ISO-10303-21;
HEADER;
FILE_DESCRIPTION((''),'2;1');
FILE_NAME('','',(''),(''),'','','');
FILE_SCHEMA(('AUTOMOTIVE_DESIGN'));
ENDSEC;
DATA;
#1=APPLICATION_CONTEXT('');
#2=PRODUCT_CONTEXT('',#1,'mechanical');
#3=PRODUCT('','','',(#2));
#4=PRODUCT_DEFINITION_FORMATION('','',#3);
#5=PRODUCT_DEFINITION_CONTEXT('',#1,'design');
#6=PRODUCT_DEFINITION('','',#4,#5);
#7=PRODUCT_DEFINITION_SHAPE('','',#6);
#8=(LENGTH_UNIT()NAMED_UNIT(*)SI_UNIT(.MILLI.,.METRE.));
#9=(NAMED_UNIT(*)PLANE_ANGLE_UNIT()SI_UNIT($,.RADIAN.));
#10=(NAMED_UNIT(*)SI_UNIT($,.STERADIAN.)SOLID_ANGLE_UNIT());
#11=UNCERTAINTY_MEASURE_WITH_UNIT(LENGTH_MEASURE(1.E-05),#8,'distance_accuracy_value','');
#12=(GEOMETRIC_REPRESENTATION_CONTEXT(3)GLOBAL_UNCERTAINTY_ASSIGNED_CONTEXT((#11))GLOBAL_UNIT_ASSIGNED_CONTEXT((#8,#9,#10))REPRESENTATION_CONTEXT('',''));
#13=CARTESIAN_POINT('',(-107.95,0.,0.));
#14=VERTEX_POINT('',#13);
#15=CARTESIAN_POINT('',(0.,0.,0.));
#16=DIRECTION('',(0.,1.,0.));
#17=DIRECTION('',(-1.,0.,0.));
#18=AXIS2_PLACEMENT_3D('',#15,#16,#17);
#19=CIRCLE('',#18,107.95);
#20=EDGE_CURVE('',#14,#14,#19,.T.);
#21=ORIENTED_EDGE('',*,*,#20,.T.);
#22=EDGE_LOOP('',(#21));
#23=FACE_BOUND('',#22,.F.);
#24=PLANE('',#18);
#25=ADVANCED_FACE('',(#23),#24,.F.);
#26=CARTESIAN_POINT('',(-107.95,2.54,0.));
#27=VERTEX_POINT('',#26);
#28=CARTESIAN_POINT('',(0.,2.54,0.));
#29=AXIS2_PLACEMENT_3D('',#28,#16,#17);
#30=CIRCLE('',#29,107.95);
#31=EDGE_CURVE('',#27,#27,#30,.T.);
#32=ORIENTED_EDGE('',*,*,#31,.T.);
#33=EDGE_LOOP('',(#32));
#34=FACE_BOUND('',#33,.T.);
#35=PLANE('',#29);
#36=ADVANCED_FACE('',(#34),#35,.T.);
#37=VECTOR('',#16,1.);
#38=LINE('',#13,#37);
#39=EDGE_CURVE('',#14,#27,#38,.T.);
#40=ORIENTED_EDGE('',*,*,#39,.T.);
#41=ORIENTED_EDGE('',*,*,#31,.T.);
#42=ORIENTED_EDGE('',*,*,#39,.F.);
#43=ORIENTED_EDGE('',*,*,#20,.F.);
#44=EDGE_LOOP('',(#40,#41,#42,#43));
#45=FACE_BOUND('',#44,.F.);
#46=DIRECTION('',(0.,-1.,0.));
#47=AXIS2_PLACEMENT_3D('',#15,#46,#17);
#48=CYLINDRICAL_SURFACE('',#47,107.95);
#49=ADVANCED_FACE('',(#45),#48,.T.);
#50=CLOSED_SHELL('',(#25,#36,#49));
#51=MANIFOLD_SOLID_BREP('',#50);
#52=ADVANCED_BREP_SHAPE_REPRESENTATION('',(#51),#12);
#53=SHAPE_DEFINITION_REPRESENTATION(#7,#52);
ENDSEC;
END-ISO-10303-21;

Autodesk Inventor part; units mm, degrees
ref_plane "YZ Plane" through (0, 0, 0) normal (1, 0, 0) x (0, 1, 0)
ref_plane "XZ Plane" through (0, 0, 0) normal (0, 1, 0) x (-1, 0, 0)
sketch "Sketch1" plane through (0, 0, 0) normal (0, 1, 0) x (-1, 0, 0)
  circle A0 centre (0, 0) radius 107.95
  dimension "d0" = 215.9
extrude "Extrusion1" add sketch "Sketch1" along normal blind 2.54
ref_plane "Work Plane1" through (0, 0, 107.95) normal (0, 0, 1) x (1, 0, 0)
properties part number "test"
